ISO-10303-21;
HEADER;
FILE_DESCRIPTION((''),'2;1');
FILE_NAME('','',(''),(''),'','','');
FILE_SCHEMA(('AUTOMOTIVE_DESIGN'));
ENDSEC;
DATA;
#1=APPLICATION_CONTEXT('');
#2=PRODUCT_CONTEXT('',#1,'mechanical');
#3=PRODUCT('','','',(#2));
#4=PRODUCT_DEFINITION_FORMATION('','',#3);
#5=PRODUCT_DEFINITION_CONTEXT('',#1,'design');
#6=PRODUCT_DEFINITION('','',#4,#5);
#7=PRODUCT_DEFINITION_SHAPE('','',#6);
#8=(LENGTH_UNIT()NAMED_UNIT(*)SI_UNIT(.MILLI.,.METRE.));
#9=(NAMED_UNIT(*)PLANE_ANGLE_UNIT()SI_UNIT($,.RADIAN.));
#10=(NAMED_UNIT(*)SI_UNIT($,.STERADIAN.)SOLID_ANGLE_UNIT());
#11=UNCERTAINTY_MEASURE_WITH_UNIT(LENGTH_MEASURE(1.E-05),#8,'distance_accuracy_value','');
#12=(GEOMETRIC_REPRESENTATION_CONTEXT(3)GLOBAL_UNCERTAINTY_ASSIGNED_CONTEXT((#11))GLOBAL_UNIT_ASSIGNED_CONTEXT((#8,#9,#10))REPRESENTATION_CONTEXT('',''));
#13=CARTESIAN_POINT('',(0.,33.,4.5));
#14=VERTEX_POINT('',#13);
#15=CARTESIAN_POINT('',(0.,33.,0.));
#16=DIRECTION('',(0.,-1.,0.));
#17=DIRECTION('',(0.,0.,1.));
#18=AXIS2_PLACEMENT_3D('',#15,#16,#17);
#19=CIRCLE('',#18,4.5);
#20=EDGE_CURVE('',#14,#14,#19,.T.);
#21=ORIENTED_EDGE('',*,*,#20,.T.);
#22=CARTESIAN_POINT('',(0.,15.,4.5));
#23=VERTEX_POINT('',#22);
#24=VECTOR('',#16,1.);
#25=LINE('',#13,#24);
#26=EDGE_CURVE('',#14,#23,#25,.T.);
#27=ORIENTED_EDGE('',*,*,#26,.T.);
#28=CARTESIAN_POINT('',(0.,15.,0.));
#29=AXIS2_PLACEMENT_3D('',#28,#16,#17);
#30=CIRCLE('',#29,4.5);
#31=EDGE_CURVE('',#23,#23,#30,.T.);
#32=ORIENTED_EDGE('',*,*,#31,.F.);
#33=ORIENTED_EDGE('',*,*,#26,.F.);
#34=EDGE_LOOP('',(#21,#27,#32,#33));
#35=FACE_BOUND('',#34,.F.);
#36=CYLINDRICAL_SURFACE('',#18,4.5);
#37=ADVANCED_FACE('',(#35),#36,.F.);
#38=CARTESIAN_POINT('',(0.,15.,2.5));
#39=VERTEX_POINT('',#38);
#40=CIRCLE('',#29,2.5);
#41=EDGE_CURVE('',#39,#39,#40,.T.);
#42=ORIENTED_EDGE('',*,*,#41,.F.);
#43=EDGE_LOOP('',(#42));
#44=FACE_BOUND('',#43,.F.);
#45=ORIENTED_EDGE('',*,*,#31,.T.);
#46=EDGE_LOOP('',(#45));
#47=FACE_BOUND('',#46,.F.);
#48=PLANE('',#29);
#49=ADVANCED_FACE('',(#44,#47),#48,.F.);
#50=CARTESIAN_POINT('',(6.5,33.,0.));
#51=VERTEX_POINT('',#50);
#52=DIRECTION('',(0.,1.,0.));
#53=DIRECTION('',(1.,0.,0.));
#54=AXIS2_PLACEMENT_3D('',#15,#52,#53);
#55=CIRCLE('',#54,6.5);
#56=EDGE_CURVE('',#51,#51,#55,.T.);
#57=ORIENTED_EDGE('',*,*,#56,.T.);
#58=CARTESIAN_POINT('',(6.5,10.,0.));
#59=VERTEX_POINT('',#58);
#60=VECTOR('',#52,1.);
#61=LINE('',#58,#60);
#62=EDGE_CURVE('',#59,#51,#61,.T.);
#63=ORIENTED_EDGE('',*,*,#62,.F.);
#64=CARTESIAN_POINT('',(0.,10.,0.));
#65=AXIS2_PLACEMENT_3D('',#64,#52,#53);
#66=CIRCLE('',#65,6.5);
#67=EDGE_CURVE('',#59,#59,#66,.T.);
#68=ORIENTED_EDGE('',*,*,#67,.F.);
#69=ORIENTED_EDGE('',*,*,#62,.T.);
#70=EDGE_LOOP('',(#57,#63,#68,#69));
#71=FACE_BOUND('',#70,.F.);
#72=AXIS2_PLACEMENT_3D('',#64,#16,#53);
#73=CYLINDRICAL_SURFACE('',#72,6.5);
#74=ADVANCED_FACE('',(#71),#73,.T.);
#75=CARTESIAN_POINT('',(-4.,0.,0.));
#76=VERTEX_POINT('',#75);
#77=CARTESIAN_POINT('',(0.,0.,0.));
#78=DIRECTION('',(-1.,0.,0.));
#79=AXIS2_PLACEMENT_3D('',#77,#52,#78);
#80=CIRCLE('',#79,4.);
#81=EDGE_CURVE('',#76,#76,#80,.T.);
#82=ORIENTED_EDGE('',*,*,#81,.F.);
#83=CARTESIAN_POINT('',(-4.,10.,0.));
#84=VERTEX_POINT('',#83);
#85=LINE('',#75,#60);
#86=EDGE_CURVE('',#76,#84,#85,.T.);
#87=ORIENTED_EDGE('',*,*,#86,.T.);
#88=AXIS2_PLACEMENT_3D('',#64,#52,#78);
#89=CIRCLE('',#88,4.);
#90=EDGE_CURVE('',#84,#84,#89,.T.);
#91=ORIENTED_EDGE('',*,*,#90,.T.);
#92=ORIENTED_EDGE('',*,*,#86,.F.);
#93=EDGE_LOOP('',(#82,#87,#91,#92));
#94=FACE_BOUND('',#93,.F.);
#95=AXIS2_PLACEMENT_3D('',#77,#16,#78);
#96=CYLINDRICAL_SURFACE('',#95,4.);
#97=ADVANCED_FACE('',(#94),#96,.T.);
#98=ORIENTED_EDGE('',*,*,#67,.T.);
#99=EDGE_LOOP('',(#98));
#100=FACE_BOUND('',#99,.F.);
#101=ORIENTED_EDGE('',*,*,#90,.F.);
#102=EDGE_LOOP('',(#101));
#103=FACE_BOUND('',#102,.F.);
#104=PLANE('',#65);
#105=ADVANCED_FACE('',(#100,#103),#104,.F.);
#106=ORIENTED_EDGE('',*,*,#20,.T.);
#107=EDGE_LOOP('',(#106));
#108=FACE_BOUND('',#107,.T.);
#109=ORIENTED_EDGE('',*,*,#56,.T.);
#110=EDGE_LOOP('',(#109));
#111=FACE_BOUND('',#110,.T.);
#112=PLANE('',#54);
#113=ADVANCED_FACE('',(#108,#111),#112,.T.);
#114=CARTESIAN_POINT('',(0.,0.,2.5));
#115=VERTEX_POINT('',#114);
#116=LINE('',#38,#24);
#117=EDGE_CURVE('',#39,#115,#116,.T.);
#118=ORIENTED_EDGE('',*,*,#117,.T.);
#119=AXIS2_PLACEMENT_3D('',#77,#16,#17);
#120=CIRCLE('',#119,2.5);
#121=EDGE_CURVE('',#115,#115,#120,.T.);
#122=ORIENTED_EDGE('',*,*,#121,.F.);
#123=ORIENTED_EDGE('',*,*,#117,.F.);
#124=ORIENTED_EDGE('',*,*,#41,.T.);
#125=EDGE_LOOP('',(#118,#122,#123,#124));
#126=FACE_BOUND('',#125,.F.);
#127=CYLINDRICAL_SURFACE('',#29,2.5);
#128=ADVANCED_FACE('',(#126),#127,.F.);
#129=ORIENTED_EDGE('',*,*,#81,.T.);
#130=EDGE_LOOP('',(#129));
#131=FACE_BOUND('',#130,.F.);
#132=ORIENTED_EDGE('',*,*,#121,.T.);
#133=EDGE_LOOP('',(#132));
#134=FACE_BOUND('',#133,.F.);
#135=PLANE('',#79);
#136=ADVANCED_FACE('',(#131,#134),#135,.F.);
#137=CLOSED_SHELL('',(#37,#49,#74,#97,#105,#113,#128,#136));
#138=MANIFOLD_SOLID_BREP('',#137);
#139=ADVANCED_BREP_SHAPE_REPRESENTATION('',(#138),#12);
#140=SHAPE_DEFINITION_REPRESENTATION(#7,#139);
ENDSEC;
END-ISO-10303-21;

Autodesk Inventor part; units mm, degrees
ref_plane "YZ Plane" through (0, 0, 0) normal (1, 0, 0) x (0, 1, 0)
ref_plane "XZ Plane" through (0, 0, 0) normal (0, 1, 0) x (-1, 0, 0)
ref_plane "XY Plane" through (0, 0, 0) normal (0, 0, 1) x (1, 0, 0)
sketch "Sketch1" plane through (0, 0, 0) normal (0, 1, 0) x (-1, 0, 0)
  circle A0 centre (0, 0) radius 4
  dimension "d0" = 8
extrude "Extrusion1" add sketch "Sketch1" along normal blind 10
sketch "Sketch2" plane through (0, 10, 0) normal (0, 1, 0) x (1, 0, 0)
  circle A0 centre (0, 0) radius 6.5
  dimension "d3" = 13
extrude "Extrusion2" add sketch "Sketch2" along normal blind 23
sketch "Sketch3" plane through (0, 33, 0) normal (0, 1, 0) x (1, 0, 0)
  circle A0 centre (0, 0) radius 4.5
  dimension "d6" = 9
hole "Hole1" at (0, 33, 0) direction (0, -1, 0) diameter 5 depth 40 tip angle 118 counterbore diameter 9 counterbore depth 18
properties part number "Exhaust Pipe Connector"
